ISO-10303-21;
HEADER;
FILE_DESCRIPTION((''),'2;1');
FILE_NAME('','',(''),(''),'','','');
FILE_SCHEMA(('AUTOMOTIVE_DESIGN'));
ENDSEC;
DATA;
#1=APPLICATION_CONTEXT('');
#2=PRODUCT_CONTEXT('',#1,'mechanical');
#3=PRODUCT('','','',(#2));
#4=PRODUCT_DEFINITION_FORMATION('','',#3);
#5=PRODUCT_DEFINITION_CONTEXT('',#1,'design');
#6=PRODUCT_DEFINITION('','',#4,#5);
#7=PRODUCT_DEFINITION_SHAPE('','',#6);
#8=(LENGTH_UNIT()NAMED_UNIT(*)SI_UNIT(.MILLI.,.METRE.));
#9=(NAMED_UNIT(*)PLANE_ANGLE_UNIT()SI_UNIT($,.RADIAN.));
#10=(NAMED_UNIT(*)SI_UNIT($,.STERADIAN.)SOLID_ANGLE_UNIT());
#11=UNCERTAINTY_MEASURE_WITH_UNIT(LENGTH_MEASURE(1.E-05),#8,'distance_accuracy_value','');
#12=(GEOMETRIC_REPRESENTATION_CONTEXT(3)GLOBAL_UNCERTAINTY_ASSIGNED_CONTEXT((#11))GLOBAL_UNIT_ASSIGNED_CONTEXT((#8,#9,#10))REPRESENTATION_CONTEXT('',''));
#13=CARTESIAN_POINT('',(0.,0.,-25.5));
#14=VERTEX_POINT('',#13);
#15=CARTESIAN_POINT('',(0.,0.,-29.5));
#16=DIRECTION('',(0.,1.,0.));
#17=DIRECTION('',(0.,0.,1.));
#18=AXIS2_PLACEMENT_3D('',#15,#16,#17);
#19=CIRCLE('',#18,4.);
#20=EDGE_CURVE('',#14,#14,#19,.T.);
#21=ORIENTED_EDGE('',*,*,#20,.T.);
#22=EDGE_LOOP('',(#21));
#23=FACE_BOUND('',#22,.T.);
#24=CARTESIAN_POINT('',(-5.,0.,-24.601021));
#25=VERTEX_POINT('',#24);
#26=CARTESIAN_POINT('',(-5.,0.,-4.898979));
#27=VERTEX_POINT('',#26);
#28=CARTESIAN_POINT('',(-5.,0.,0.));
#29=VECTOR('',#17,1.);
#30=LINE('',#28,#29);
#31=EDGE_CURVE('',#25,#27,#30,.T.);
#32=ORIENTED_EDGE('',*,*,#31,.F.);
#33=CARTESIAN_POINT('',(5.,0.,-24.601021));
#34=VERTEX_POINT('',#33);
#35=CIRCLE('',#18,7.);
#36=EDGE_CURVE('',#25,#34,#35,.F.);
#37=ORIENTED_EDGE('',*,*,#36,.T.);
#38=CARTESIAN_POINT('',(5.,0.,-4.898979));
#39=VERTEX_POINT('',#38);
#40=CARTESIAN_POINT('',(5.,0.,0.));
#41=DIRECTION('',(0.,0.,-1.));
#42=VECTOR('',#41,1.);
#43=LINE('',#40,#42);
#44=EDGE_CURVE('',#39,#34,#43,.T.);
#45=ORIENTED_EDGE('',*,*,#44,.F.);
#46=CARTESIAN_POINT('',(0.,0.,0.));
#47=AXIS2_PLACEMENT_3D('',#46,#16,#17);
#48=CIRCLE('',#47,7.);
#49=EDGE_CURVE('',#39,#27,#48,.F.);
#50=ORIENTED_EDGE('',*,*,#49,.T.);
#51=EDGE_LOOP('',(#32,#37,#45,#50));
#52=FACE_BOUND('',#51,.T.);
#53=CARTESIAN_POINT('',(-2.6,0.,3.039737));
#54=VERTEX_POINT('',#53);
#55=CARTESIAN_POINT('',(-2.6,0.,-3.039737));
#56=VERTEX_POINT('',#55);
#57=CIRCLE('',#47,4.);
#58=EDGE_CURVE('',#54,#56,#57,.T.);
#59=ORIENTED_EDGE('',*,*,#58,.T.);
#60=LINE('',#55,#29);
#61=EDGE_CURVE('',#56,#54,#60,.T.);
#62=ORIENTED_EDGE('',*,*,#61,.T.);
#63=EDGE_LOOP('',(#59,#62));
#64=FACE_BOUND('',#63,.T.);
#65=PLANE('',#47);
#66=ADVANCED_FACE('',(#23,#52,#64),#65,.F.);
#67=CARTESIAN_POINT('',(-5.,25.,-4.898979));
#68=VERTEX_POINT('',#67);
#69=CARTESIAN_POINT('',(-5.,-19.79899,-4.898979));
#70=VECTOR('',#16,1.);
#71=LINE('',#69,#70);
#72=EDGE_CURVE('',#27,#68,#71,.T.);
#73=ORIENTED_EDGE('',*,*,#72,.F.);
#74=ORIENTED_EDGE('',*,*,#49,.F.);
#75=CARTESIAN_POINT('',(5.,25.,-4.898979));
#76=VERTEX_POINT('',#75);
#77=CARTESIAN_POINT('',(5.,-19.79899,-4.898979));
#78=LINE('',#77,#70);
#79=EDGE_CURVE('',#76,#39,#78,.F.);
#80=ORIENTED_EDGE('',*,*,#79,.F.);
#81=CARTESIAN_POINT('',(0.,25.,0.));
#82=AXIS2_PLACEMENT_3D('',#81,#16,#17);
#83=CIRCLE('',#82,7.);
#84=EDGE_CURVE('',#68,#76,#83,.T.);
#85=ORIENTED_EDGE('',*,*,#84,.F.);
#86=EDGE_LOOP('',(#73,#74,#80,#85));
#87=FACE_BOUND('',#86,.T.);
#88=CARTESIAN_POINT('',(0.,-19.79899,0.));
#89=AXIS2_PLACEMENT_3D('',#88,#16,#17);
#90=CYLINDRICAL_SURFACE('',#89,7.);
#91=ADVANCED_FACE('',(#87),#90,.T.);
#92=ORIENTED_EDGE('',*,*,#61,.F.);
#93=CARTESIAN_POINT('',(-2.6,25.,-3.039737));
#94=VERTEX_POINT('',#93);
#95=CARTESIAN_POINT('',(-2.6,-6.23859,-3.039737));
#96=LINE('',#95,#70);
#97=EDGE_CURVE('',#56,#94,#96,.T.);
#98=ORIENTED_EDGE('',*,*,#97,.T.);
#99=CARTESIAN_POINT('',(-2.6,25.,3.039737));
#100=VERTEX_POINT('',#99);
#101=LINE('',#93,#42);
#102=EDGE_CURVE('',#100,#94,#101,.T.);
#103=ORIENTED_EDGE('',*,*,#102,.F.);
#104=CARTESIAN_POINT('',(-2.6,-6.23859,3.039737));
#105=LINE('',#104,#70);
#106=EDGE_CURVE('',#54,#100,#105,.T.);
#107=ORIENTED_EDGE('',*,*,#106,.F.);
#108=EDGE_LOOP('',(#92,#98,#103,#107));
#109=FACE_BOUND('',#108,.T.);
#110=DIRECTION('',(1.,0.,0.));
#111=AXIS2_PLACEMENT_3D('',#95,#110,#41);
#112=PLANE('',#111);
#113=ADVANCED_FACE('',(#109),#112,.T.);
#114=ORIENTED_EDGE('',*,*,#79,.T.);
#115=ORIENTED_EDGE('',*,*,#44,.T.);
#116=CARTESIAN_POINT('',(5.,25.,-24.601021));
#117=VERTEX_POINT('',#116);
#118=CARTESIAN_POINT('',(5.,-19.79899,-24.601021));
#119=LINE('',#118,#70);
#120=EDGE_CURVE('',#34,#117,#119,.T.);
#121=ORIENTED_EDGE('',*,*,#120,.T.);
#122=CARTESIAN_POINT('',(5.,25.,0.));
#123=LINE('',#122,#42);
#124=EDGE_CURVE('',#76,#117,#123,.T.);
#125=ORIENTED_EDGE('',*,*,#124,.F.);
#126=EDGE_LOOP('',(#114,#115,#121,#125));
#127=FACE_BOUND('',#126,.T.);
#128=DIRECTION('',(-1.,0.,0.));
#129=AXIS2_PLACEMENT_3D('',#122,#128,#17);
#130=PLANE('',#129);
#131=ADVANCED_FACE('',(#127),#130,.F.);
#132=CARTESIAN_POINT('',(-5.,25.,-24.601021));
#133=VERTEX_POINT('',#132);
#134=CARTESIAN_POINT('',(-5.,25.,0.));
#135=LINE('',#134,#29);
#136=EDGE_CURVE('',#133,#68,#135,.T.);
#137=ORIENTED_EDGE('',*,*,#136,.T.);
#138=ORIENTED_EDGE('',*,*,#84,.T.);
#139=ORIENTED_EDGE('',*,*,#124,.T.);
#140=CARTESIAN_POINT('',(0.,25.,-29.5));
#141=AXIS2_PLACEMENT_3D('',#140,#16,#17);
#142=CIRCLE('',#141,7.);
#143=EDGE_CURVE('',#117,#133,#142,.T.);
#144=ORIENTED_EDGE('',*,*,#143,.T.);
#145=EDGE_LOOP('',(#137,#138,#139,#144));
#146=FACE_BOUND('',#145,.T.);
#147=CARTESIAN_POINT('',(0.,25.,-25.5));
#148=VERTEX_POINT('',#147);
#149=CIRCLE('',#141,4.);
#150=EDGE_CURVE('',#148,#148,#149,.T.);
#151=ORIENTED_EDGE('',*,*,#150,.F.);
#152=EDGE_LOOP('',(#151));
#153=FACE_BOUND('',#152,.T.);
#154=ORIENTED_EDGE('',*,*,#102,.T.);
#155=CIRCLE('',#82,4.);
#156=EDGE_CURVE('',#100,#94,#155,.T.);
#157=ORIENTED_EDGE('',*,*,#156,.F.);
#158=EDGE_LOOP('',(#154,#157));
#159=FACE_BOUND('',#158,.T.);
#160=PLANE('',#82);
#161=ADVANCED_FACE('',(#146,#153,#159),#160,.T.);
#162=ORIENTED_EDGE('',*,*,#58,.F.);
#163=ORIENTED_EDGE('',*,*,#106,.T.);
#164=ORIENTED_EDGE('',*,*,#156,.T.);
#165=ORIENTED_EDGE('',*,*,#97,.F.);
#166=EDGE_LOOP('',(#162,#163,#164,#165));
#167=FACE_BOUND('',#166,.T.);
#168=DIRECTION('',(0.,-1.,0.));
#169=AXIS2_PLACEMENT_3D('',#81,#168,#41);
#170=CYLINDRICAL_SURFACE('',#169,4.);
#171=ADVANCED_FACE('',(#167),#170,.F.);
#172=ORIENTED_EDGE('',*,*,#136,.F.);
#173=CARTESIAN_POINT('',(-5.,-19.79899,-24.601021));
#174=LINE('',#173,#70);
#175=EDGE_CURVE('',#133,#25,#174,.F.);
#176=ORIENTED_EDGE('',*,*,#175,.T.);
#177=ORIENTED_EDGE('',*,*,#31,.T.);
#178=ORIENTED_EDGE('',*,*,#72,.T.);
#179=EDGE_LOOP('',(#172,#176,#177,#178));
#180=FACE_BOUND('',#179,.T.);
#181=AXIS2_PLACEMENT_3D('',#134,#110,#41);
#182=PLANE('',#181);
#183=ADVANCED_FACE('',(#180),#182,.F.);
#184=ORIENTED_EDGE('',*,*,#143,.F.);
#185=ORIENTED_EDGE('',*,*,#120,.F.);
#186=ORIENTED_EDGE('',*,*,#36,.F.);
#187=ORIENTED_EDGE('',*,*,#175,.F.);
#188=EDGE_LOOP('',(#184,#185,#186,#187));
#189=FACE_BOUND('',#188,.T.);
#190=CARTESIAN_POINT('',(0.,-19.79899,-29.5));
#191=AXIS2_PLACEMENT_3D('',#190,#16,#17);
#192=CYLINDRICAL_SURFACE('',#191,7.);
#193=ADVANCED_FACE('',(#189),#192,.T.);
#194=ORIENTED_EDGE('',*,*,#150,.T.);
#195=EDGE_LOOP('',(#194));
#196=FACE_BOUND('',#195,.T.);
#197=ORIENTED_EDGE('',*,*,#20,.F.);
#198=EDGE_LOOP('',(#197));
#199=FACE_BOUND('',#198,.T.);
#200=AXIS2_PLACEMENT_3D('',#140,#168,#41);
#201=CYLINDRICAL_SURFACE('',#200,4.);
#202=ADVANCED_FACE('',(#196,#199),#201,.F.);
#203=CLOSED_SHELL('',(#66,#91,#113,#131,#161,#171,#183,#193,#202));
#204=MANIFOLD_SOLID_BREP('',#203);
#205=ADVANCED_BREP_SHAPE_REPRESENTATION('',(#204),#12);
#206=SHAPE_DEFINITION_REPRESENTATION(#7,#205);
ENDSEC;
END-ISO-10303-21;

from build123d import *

# Parameters (mm, degrees)
SKETCH1_R           = 2
BOSS_EXTRUDE1_DEPTH = 25
BOSS_EXTRUDE2_START = -25
SKETCH3_R           = 7
SKETCH3_R_2         = 2
BOSS_EXTRUDE2_DEPTH = 25
MOVE_FACE1_BY       = 2
MOVE_FACE1_2_BY     = 2
BOSS_EXTRUDE3_START = -25
BOSS_EXTRUDE3_DEPTH = 25


with BuildPart() as part:
    # Sketch1 → Boss-Extrude1 (new body)
    with BuildSketch(Plane(origin=(0, 0, 0), x_dir=(1, 0, 0), z_dir=(0, 1, 0))):
        with BuildLine():
            Line((-5, 0), (-5, 29.5))
            ThreePointArc((-5, 29.5), (0, 34.5), (5, 29.5))
            Line((5, 29.5), (5, 0))
            ThreePointArc((5, 0), (0, -5), (-5, 0))
        make_face()
        with Locations(Location((0, 29.5, 0), (0, 0, 270))):
            Circle(SKETCH1_R, mode=Mode.SUBTRACT)
        with Locations(Location((0, 0, 0), (0, 0, 270))):
            Circle(SKETCH1_R, mode=Mode.SUBTRACT)
    extrude(amount=BOSS_EXTRUDE1_DEPTH)

    # Sketch3 → Boss-Extrude2 (add)
    # profile 1 of 2: a face of its own
    with BuildSketch(Plane(origin=(0, 25, 0), x_dir=(1, 0, 0), z_dir=(0, 1, 0)).offset(BOSS_EXTRUDE2_START)):
        with Locations((0, 29.5)):
            Circle(SKETCH3_R)
        with Locations(Location((0, 29.5, 0), (0, 0, 270))):
            Circle(SKETCH3_R_2, mode=Mode.SUBTRACT)
    # profile 2 of 2: a face of its own
    with BuildSketch(Plane(origin=(0, 25, 0), x_dir=(1, 0, 0), z_dir=(0, 1, 0)).offset(BOSS_EXTRUDE2_START)):
        Circle(SKETCH3_R)
        with Locations(Location((0, 0, 0), (0, 0, 270))):
            Circle(SKETCH3_R_2, mode=Mode.SUBTRACT)
    extrude(amount=BOSS_EXTRUDE2_DEPTH)

    # Move Face1: a curved face moved inward by 2.0
    add(Solid.thicken(part.faces().sort_by_distance((0, 12.5, -31.5))[0], -MOVE_FACE1_BY), mode=Mode.SUBTRACT)

    # Move Face1 2: a curved face moved inward by 2.0
    add(Solid.thicken(part.faces().sort_by_distance((0, 12.5, -2))[0], -MOVE_FACE1_2_BY), mode=Mode.SUBTRACT)

    # Sketch5 → Boss-Extrude3 (add)
    with BuildSketch(Plane(origin=(0, 25, 0), x_dir=(1, 0, 0), z_dir=(0, 1, 0)).offset(BOSS_EXTRUDE3_START)):
        with BuildLine():
            Line((-2.6, 3.039736831), (-2.6, -3.039736831))
            ThreePointArc((-2.6, -3.039736831), (-4, 0), (-2.6, 3.039736831))
        make_face()
    extrude(amount=BOSS_EXTRUDE3_DEPTH)


solid = part.part
